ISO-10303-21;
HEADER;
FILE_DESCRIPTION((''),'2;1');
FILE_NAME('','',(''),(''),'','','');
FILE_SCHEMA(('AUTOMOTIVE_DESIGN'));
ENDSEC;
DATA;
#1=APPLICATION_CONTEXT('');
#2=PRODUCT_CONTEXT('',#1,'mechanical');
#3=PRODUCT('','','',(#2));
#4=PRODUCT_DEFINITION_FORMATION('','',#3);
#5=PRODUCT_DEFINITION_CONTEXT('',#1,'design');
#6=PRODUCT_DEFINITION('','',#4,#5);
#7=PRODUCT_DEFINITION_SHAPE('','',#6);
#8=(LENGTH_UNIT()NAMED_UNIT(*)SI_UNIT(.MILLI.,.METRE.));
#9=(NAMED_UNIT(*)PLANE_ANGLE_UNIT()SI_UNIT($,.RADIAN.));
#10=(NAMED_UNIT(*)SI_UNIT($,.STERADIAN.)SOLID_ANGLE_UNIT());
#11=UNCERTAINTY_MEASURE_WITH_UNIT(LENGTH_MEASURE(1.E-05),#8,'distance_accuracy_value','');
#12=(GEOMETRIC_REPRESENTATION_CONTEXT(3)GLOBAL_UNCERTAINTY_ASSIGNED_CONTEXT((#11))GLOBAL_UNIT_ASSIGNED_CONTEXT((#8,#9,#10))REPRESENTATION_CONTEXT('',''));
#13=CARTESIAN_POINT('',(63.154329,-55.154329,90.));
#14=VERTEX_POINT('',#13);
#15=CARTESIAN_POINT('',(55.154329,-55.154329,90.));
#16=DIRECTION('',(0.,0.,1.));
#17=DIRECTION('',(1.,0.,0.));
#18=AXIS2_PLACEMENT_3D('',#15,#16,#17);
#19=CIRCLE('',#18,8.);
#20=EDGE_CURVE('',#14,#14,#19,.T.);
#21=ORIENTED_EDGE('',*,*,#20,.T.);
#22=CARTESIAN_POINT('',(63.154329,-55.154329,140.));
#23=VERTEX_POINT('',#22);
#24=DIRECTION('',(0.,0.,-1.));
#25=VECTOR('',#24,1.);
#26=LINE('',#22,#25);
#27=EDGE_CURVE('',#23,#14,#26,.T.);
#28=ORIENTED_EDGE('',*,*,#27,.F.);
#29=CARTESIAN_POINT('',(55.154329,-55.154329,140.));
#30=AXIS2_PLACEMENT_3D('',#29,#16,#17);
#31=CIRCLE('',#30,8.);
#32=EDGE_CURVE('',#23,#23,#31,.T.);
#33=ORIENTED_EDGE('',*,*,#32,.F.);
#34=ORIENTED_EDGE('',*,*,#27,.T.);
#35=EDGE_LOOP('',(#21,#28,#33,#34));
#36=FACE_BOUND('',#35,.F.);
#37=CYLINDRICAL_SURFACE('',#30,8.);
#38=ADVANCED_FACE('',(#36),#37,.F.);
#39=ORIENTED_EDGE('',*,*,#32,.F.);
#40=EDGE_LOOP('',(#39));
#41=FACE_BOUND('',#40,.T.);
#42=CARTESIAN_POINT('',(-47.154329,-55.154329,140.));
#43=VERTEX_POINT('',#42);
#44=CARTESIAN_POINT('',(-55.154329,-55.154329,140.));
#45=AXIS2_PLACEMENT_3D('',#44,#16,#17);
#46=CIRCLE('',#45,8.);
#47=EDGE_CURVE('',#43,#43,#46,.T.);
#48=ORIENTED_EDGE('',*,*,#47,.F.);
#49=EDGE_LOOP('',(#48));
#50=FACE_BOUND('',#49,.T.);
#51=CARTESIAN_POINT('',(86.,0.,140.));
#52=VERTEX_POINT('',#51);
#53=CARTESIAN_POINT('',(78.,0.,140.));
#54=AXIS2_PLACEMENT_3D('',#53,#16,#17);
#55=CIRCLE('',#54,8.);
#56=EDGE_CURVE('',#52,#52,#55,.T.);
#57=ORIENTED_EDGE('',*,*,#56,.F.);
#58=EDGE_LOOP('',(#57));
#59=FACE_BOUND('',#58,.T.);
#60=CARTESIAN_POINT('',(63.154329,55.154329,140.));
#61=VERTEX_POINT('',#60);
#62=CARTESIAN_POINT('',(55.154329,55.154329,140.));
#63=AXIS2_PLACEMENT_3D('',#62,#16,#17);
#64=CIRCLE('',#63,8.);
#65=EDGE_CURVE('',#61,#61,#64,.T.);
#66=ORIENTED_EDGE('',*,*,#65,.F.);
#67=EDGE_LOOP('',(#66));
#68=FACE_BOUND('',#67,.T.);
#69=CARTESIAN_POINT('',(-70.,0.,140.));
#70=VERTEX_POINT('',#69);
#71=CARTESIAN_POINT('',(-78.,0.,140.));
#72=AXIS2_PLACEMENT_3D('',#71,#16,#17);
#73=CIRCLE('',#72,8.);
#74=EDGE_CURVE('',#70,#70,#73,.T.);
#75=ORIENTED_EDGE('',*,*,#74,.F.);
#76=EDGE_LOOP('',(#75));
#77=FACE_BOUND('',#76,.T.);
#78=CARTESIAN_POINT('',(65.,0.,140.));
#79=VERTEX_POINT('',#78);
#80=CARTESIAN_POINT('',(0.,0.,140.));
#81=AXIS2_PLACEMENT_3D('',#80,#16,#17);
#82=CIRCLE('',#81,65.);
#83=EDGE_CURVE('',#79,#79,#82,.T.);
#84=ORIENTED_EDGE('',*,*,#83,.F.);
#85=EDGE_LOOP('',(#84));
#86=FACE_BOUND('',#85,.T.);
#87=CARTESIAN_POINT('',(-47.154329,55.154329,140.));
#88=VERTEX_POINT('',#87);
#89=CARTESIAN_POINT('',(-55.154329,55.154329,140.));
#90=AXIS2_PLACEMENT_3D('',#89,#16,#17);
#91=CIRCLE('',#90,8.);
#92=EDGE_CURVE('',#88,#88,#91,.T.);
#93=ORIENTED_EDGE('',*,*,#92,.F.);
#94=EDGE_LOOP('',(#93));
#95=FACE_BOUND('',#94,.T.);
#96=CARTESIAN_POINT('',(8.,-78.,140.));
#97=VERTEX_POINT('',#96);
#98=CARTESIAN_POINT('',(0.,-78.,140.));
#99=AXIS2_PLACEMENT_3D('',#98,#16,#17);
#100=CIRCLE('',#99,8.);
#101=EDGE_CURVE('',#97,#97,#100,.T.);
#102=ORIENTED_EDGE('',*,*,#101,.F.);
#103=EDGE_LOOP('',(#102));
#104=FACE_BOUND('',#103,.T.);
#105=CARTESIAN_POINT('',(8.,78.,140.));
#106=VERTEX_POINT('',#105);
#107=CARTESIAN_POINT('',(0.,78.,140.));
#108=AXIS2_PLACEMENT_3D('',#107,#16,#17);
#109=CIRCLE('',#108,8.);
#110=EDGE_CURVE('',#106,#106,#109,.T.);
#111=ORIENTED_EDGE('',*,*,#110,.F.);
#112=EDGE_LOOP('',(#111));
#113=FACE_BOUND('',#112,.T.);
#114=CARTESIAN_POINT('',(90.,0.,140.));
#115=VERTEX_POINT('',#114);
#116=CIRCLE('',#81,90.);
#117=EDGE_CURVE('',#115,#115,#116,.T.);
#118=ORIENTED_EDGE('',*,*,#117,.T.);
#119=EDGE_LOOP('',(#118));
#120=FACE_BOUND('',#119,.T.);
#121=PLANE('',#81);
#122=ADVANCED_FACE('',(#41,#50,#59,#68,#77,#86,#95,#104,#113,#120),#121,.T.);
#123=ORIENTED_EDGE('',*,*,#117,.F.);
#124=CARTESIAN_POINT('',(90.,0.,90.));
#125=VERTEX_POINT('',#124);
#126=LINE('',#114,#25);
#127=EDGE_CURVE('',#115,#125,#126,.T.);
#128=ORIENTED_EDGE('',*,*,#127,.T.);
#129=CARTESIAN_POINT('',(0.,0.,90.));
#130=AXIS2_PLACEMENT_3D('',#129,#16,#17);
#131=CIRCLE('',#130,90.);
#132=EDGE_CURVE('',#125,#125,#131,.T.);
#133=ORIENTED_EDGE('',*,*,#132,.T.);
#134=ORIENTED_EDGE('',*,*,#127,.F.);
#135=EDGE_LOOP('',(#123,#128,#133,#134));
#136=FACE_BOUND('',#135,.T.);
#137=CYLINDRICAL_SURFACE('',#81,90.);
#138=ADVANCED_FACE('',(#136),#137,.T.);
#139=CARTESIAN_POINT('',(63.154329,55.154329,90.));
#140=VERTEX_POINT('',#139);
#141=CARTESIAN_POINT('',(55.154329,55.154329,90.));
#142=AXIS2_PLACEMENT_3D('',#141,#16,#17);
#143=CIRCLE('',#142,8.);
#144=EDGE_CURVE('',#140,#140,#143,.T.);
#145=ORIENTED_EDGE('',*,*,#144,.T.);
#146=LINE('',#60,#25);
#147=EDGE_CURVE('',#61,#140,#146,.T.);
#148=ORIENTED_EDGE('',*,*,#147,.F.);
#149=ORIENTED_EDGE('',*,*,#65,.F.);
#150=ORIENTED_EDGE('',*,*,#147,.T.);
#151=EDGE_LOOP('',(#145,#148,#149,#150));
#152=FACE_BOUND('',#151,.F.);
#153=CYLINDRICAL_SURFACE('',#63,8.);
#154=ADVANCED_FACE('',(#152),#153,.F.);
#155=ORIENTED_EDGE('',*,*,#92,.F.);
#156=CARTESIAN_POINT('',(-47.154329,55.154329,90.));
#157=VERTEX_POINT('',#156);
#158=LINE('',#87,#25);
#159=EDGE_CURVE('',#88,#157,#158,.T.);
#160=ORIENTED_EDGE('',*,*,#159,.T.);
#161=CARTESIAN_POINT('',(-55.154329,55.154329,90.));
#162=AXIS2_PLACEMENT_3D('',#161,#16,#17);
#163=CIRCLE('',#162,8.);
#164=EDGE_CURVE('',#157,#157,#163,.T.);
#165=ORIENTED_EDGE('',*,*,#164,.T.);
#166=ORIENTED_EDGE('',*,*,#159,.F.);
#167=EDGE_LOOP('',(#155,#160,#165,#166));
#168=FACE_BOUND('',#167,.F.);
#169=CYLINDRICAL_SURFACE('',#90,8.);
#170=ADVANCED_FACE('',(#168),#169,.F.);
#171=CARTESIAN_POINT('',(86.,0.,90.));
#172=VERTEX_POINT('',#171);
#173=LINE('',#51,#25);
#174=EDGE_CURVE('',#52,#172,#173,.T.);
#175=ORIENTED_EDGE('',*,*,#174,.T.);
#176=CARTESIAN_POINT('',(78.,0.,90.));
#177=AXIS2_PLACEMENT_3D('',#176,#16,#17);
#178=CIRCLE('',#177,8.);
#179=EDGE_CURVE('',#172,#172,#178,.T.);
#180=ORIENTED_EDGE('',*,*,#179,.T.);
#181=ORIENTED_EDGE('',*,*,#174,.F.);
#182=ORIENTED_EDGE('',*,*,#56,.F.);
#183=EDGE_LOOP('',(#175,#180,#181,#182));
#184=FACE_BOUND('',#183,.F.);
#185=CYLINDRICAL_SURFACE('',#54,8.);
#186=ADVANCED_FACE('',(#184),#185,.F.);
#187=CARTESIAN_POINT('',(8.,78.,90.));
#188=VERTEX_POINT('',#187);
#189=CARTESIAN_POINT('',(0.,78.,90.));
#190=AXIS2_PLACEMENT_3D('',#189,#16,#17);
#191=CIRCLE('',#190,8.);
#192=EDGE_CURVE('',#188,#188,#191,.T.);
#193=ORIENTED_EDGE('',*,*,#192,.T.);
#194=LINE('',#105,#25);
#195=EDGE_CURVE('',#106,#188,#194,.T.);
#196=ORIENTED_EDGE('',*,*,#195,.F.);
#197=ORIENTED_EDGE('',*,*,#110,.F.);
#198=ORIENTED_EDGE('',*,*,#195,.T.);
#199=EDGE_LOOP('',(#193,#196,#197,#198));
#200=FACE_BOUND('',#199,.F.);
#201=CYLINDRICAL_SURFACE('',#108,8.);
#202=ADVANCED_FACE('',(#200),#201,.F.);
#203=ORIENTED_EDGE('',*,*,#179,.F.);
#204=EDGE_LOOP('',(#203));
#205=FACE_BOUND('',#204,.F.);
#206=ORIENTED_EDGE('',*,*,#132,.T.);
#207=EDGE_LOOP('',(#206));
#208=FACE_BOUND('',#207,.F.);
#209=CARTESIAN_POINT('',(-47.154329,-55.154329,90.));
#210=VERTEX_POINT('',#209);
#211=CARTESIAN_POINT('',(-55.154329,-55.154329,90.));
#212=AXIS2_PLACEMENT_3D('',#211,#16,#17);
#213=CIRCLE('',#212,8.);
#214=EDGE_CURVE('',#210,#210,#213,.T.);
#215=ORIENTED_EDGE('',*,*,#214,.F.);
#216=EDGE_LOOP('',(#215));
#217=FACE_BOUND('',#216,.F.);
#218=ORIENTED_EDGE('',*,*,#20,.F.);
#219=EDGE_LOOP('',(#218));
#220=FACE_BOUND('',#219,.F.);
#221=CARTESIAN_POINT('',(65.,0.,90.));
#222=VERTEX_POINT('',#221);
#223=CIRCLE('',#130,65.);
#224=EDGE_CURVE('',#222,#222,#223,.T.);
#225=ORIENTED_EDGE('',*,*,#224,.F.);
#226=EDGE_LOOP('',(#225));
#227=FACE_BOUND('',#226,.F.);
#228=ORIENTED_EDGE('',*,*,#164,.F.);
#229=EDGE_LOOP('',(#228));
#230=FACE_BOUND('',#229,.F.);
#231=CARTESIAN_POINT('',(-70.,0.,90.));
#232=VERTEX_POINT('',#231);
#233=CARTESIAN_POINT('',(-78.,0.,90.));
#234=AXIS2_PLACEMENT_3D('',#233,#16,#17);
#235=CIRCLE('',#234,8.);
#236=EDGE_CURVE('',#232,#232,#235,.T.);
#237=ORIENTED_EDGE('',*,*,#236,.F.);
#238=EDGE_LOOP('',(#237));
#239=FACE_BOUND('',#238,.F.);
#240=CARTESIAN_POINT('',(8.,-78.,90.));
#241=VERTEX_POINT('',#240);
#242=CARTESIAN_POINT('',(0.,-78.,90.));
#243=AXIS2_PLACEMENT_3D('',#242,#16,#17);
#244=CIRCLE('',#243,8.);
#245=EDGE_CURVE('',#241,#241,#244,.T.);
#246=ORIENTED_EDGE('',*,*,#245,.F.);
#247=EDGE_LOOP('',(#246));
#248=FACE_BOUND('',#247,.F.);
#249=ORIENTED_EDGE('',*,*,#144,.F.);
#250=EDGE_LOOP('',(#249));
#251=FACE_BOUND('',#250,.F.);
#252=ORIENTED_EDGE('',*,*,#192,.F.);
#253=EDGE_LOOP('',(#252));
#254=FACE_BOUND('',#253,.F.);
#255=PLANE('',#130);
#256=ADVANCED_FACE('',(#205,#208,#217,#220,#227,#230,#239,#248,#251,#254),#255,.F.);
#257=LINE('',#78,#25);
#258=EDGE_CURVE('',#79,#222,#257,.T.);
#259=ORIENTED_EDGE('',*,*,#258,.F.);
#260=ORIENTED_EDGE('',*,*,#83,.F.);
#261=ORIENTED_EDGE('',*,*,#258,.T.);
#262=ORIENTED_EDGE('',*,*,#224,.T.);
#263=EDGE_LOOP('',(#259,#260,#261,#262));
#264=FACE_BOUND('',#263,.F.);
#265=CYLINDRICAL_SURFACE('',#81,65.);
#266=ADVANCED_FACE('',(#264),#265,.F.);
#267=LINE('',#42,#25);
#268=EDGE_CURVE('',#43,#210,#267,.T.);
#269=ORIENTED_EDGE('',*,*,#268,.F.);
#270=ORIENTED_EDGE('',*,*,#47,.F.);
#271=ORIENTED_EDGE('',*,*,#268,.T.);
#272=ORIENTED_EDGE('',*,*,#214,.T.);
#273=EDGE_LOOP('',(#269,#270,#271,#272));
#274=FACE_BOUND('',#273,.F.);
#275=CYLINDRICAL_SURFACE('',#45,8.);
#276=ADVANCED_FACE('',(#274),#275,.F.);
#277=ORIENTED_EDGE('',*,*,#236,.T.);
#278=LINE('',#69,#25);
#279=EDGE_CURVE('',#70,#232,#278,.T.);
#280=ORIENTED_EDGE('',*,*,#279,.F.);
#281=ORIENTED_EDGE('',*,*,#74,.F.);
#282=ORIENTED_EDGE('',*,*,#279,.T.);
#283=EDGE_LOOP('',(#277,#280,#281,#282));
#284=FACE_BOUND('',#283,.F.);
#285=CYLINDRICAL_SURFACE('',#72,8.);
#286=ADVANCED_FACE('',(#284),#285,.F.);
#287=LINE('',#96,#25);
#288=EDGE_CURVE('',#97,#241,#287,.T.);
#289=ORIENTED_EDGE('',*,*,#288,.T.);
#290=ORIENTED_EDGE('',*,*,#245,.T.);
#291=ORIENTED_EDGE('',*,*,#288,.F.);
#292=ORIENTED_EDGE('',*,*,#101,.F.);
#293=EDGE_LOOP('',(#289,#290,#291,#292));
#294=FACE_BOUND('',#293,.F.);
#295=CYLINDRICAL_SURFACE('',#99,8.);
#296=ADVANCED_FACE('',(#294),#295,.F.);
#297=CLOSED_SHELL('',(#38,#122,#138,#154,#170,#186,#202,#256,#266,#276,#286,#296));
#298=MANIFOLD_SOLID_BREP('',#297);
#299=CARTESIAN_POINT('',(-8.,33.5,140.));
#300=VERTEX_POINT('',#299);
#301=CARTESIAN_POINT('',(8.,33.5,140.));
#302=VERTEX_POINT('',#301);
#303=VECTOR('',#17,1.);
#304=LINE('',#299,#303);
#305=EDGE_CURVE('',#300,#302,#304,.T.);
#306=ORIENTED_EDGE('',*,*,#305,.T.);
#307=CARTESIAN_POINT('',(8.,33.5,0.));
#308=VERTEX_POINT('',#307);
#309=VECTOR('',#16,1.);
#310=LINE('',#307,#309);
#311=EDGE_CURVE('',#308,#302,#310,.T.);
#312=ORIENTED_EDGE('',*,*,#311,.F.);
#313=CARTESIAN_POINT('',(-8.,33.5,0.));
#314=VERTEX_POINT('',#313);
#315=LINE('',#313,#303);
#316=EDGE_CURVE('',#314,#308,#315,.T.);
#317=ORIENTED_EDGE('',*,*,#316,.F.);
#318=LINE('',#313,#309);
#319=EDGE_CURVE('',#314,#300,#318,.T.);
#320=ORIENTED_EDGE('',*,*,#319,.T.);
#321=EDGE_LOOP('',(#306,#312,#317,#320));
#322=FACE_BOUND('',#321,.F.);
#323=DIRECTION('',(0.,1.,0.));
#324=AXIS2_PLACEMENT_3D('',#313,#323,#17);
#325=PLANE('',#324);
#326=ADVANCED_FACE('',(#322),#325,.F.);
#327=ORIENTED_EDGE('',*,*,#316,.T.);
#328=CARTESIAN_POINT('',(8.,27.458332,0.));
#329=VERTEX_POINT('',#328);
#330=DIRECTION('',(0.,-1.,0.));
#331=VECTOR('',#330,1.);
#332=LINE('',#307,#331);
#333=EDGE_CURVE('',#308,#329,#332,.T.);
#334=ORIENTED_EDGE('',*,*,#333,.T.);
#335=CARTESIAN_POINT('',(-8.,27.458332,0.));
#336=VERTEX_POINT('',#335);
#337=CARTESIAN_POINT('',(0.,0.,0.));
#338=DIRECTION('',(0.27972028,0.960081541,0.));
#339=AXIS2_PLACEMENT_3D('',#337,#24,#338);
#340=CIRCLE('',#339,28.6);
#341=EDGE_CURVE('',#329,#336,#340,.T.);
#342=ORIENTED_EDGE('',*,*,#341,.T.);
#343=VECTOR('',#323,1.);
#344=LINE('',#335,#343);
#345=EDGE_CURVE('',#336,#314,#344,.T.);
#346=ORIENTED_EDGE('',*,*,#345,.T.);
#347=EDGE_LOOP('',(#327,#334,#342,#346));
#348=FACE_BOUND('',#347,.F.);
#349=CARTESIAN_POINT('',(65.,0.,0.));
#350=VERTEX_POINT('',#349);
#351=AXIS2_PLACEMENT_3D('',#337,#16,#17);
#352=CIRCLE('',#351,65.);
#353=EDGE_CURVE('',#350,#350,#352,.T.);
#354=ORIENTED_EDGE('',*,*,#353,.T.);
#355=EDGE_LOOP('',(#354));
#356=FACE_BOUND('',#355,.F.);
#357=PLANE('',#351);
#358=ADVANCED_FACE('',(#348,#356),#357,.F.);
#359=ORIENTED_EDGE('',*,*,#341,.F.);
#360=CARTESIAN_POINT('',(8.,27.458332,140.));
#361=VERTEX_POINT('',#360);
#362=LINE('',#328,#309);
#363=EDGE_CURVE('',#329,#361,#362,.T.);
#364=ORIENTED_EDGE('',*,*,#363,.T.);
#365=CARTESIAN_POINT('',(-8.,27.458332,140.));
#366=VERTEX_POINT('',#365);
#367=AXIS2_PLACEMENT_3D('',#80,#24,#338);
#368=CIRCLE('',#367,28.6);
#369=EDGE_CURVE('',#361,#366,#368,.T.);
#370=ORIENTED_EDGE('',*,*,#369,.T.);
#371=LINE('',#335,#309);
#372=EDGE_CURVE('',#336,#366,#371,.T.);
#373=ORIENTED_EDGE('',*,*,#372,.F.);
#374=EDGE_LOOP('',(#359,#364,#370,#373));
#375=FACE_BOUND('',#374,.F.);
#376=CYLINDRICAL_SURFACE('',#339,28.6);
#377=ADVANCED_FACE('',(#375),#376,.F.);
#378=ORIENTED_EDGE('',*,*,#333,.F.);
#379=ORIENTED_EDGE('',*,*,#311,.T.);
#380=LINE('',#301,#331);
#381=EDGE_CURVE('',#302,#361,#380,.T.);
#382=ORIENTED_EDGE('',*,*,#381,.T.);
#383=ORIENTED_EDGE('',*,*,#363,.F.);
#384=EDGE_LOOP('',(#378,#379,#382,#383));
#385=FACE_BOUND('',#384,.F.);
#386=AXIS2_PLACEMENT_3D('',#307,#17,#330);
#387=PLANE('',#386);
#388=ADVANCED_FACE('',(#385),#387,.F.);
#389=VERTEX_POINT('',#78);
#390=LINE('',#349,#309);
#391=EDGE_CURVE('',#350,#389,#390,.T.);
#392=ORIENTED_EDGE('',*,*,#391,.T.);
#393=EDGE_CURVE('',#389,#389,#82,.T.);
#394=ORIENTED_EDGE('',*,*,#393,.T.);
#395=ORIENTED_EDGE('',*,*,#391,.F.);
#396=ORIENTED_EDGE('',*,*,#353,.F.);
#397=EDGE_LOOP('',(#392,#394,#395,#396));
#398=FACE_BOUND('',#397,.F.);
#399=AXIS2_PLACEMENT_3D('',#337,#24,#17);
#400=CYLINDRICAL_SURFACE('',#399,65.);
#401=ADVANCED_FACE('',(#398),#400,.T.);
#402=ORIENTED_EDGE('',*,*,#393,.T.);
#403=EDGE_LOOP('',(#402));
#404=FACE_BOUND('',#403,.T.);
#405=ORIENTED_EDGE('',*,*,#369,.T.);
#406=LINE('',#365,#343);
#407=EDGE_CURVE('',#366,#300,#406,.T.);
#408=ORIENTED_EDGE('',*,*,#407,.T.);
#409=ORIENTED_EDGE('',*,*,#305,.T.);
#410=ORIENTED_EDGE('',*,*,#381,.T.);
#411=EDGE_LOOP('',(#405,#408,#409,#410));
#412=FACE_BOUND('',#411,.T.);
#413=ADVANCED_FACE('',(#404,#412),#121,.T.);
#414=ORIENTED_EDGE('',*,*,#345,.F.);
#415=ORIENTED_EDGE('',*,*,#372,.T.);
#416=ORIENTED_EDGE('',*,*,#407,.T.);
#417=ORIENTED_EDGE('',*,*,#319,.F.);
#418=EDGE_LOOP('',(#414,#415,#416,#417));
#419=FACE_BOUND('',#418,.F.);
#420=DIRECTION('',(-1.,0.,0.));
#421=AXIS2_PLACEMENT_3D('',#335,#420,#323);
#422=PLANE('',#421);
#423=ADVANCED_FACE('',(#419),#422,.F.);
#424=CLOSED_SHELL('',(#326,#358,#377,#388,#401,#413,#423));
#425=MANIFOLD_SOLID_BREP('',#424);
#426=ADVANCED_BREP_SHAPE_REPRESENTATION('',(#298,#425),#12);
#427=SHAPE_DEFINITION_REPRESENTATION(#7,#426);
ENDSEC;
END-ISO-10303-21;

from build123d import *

# Parameters (mm, degrees)
F0_R     = 65
F1_DEPTH = 140
F2_R     = 90
F2_R_2   = 65
F3_DEPTH = 50
F4_R     = 8
F5_DEPTH = 100


with BuildPart() as f1:
    # F0 (on Top) → F1 (new body)
    with BuildSketch(Plane.XY):
        Circle(F0_R)
        with BuildLine():
            ThreePointArc((8, 27.458332), (0, -28.6), (-8, 27.458332))
            Line((-8, 27.458332), (-8, 33.5))
            Line((-8, 33.5), (8, 33.5))
            Line((8, 33.5), (8, 27.458332))
        make_face(mode=Mode.SUBTRACT)
    extrude(amount=F1_DEPTH)


with BuildPart() as f3:
    # F2 (on face) → F3 (new body)
    with BuildSketch(Plane.XY.offset(140)):
        Circle(F2_R)
        Circle(F2_R_2, mode=Mode.SUBTRACT)
    extrude(amount=-F3_DEPTH)

    # F4 (on face) → F5 (cut)
    with BuildSketch(Plane.XY.offset(140)):
        with Locations((-55.154329, 55.154329)):
            Circle(F4_R)
        with Locations((0, 78)):
            Circle(F4_R)
        with Locations((55.154329, 55.154329)):
            Circle(F4_R)
        with Locations((78, 0)):
            Circle(F4_R)
        with Locations((55.154329, -55.154329)):
            Circle(F4_R)
        with Locations((0, -78)):
            Circle(F4_R)
        with Locations((-55.154329, -55.154329)):
            Circle(F4_R)
        with Locations((-78, 0)):
            Circle(F4_R)
    extrude(amount=-F5_DEPTH, mode=Mode.SUBTRACT)


solid = Compound([f1.part, f3.part])
